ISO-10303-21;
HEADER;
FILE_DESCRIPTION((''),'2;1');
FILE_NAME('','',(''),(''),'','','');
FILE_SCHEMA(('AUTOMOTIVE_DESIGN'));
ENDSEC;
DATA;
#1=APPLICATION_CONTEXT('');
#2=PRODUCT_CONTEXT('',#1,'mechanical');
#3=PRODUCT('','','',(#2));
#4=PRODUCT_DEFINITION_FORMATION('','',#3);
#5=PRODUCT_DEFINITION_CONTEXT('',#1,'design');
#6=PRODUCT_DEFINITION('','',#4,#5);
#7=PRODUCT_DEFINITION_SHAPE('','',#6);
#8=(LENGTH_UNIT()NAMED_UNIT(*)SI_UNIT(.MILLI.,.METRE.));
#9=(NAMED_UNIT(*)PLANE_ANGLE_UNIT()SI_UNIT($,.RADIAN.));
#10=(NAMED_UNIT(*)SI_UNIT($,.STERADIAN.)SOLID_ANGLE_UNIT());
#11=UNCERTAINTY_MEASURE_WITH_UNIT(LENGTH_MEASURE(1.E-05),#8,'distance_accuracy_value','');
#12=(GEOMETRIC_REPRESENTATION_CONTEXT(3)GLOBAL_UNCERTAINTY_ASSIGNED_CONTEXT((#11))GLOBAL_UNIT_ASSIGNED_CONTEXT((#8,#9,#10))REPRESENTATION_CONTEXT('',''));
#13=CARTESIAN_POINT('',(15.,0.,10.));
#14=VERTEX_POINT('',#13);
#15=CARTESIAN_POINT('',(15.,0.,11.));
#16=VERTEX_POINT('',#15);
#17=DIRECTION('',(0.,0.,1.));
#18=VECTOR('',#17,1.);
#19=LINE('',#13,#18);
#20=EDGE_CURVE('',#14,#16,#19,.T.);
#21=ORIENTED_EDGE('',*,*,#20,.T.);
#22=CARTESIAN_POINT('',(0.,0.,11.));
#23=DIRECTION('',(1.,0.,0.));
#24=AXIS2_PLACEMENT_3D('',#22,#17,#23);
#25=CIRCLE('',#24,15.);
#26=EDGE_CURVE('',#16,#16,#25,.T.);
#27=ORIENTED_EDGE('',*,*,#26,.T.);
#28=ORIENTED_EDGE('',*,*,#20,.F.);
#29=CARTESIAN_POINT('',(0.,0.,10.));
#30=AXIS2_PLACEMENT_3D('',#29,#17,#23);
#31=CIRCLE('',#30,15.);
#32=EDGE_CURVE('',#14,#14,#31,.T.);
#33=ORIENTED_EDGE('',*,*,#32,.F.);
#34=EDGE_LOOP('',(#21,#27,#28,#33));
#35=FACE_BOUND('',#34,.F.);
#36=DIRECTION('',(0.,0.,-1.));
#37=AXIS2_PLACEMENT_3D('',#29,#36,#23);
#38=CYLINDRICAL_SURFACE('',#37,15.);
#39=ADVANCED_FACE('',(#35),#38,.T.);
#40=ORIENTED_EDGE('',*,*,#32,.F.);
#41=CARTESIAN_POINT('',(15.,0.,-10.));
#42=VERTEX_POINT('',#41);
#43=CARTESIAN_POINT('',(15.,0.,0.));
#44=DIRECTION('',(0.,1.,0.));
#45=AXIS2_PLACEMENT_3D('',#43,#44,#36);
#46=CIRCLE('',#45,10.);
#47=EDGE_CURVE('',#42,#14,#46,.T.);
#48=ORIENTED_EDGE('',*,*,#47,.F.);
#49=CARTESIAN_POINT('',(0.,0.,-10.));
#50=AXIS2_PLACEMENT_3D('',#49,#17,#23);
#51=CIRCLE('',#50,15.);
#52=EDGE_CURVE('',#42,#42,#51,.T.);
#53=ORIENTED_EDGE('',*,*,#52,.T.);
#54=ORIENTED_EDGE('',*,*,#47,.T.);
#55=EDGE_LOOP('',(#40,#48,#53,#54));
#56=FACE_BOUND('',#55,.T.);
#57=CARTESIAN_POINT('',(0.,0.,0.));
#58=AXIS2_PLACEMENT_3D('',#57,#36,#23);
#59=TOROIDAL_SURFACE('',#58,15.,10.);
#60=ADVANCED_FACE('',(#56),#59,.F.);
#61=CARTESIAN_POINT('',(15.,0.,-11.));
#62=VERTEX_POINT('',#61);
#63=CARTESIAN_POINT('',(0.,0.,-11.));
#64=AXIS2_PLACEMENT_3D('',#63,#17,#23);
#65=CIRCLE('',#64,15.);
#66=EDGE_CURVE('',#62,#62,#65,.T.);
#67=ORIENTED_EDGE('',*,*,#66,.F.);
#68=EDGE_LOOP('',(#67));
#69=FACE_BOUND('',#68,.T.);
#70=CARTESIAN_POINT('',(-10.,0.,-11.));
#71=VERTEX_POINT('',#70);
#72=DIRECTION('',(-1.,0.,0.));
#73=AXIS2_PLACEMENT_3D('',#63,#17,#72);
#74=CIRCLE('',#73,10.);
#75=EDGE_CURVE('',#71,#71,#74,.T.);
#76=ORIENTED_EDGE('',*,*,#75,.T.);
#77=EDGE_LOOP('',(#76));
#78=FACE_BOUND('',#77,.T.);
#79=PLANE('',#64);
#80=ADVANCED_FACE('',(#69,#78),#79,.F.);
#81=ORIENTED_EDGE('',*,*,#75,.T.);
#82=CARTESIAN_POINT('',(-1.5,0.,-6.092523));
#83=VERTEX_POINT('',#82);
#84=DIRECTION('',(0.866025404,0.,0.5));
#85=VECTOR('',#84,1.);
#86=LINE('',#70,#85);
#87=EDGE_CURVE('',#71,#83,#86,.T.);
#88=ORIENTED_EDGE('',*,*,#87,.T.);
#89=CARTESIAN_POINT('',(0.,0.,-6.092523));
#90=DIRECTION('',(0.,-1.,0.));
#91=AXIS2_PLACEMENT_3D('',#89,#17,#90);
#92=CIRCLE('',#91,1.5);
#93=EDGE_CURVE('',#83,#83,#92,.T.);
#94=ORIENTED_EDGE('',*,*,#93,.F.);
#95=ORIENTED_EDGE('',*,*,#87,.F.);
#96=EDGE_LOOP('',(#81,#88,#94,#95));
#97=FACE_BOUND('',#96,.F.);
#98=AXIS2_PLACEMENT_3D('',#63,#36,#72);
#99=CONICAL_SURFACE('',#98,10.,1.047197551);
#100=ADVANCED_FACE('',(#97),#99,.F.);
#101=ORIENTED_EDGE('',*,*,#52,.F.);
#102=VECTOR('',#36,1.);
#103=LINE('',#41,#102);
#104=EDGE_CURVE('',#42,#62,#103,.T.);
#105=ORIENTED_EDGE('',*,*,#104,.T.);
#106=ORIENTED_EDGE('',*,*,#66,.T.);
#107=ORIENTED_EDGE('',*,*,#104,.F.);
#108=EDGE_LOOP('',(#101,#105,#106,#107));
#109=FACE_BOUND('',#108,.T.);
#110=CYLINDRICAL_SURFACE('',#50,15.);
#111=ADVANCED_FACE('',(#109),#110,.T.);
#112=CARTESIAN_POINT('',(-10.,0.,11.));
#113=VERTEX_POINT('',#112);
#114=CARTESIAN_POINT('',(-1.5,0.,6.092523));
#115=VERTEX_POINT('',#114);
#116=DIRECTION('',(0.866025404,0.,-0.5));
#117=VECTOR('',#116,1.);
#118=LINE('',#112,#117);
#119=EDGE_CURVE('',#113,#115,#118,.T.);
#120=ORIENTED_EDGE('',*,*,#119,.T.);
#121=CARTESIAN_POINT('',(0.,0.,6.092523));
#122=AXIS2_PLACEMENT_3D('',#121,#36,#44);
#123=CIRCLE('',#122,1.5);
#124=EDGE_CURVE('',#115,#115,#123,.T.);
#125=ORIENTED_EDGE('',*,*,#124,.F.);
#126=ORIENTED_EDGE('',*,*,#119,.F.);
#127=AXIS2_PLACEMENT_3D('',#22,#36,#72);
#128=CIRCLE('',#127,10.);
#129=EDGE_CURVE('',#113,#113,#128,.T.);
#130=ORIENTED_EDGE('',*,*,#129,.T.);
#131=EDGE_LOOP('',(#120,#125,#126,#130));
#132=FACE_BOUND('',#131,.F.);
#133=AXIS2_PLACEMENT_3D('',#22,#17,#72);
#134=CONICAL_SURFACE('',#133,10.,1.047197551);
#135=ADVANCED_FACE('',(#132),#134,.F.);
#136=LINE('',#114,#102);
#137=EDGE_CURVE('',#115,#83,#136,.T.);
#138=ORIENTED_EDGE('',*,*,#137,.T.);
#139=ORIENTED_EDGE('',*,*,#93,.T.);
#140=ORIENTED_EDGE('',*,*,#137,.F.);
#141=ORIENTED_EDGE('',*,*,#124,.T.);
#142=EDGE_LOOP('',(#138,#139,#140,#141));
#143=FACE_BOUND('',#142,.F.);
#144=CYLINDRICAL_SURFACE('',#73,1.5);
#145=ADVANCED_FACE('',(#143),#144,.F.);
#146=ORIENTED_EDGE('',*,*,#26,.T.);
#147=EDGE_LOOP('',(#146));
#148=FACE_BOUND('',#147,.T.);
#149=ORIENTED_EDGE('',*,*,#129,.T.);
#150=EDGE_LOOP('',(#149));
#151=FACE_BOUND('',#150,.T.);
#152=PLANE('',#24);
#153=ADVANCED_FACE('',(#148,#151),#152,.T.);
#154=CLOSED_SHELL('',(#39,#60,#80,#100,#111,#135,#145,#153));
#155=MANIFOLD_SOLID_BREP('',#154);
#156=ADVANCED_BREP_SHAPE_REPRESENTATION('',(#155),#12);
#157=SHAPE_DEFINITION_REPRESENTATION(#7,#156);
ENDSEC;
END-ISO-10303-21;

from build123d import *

# Parameters (mm, degrees)
F2_DEPTH       = 1
F3_DEPTH       = 1
F5_D           = 3
F5_DEPTH       = 11
F5_CSINK_D     = 20
F5_CSINK_ANGLE = 120
F5_TIP         = 0.9012909285
F7_D           = 3
F7_DEPTH       = 11
F7_CSINK_D     = 20
F7_CSINK_ANGLE = 120
F7_TIP         = 0.9012909285


with BuildPart() as f1:
    # F0 (on Front) → F1 (revolve)
    with BuildSketch(Plane.XZ):
        with BuildLine():
            ThreePointArc((15, -10), (5, 0), (15, 10))
            Line((15, 10), (0, 10))
            Line((0, 10), (0, -10))
            Line((0, -10), (15, -10))
        make_face()
    revolve(axis=Axis((0, 0, 0), (0, 0, 1)))

    # F2 (add): a face of the model
    f2_faces = [f1.faces().sort_by_distance(p)[0] for p in [
        (0, 0, 10),
    ]]
    extrude(f2_faces, amount=F2_DEPTH)

    # F3 (add): a face of the model
    f3_faces = [f1.faces().sort_by_distance(p)[0] for p in [
        (0, 0, -10),
    ]]
    extrude(f3_faces, amount=F3_DEPTH)

    # F5
    with Locations(Plane.XY.offset(11)):
        with Locations((0, 0)):
            CounterSinkHole(F5_D / 2, F5_CSINK_D / 2, depth=F5_DEPTH, counter_sink_angle=F5_CSINK_ANGLE)
            with Locations((0, 0, -(F5_DEPTH + F5_TIP / 2))):  # 118° drill point
                Cone(0, F5_D / 2, F5_TIP, mode=Mode.SUBTRACT)

    # F7
    with Locations(Plane(origin=(0, 0, -11), x_dir=(1, 0, 0), z_dir=(0, 0, -1))):
        with Locations((0, 0)):
            CounterSinkHole(F7_D / 2, F7_CSINK_D / 2, depth=F7_DEPTH, counter_sink_angle=F7_CSINK_ANGLE)
            with Locations((0, 0, -(F7_DEPTH + F7_TIP / 2))):  # 118° drill point
                Cone(0, F7_D / 2, F7_TIP, mode=Mode.SUBTRACT)


solid = f1.part
